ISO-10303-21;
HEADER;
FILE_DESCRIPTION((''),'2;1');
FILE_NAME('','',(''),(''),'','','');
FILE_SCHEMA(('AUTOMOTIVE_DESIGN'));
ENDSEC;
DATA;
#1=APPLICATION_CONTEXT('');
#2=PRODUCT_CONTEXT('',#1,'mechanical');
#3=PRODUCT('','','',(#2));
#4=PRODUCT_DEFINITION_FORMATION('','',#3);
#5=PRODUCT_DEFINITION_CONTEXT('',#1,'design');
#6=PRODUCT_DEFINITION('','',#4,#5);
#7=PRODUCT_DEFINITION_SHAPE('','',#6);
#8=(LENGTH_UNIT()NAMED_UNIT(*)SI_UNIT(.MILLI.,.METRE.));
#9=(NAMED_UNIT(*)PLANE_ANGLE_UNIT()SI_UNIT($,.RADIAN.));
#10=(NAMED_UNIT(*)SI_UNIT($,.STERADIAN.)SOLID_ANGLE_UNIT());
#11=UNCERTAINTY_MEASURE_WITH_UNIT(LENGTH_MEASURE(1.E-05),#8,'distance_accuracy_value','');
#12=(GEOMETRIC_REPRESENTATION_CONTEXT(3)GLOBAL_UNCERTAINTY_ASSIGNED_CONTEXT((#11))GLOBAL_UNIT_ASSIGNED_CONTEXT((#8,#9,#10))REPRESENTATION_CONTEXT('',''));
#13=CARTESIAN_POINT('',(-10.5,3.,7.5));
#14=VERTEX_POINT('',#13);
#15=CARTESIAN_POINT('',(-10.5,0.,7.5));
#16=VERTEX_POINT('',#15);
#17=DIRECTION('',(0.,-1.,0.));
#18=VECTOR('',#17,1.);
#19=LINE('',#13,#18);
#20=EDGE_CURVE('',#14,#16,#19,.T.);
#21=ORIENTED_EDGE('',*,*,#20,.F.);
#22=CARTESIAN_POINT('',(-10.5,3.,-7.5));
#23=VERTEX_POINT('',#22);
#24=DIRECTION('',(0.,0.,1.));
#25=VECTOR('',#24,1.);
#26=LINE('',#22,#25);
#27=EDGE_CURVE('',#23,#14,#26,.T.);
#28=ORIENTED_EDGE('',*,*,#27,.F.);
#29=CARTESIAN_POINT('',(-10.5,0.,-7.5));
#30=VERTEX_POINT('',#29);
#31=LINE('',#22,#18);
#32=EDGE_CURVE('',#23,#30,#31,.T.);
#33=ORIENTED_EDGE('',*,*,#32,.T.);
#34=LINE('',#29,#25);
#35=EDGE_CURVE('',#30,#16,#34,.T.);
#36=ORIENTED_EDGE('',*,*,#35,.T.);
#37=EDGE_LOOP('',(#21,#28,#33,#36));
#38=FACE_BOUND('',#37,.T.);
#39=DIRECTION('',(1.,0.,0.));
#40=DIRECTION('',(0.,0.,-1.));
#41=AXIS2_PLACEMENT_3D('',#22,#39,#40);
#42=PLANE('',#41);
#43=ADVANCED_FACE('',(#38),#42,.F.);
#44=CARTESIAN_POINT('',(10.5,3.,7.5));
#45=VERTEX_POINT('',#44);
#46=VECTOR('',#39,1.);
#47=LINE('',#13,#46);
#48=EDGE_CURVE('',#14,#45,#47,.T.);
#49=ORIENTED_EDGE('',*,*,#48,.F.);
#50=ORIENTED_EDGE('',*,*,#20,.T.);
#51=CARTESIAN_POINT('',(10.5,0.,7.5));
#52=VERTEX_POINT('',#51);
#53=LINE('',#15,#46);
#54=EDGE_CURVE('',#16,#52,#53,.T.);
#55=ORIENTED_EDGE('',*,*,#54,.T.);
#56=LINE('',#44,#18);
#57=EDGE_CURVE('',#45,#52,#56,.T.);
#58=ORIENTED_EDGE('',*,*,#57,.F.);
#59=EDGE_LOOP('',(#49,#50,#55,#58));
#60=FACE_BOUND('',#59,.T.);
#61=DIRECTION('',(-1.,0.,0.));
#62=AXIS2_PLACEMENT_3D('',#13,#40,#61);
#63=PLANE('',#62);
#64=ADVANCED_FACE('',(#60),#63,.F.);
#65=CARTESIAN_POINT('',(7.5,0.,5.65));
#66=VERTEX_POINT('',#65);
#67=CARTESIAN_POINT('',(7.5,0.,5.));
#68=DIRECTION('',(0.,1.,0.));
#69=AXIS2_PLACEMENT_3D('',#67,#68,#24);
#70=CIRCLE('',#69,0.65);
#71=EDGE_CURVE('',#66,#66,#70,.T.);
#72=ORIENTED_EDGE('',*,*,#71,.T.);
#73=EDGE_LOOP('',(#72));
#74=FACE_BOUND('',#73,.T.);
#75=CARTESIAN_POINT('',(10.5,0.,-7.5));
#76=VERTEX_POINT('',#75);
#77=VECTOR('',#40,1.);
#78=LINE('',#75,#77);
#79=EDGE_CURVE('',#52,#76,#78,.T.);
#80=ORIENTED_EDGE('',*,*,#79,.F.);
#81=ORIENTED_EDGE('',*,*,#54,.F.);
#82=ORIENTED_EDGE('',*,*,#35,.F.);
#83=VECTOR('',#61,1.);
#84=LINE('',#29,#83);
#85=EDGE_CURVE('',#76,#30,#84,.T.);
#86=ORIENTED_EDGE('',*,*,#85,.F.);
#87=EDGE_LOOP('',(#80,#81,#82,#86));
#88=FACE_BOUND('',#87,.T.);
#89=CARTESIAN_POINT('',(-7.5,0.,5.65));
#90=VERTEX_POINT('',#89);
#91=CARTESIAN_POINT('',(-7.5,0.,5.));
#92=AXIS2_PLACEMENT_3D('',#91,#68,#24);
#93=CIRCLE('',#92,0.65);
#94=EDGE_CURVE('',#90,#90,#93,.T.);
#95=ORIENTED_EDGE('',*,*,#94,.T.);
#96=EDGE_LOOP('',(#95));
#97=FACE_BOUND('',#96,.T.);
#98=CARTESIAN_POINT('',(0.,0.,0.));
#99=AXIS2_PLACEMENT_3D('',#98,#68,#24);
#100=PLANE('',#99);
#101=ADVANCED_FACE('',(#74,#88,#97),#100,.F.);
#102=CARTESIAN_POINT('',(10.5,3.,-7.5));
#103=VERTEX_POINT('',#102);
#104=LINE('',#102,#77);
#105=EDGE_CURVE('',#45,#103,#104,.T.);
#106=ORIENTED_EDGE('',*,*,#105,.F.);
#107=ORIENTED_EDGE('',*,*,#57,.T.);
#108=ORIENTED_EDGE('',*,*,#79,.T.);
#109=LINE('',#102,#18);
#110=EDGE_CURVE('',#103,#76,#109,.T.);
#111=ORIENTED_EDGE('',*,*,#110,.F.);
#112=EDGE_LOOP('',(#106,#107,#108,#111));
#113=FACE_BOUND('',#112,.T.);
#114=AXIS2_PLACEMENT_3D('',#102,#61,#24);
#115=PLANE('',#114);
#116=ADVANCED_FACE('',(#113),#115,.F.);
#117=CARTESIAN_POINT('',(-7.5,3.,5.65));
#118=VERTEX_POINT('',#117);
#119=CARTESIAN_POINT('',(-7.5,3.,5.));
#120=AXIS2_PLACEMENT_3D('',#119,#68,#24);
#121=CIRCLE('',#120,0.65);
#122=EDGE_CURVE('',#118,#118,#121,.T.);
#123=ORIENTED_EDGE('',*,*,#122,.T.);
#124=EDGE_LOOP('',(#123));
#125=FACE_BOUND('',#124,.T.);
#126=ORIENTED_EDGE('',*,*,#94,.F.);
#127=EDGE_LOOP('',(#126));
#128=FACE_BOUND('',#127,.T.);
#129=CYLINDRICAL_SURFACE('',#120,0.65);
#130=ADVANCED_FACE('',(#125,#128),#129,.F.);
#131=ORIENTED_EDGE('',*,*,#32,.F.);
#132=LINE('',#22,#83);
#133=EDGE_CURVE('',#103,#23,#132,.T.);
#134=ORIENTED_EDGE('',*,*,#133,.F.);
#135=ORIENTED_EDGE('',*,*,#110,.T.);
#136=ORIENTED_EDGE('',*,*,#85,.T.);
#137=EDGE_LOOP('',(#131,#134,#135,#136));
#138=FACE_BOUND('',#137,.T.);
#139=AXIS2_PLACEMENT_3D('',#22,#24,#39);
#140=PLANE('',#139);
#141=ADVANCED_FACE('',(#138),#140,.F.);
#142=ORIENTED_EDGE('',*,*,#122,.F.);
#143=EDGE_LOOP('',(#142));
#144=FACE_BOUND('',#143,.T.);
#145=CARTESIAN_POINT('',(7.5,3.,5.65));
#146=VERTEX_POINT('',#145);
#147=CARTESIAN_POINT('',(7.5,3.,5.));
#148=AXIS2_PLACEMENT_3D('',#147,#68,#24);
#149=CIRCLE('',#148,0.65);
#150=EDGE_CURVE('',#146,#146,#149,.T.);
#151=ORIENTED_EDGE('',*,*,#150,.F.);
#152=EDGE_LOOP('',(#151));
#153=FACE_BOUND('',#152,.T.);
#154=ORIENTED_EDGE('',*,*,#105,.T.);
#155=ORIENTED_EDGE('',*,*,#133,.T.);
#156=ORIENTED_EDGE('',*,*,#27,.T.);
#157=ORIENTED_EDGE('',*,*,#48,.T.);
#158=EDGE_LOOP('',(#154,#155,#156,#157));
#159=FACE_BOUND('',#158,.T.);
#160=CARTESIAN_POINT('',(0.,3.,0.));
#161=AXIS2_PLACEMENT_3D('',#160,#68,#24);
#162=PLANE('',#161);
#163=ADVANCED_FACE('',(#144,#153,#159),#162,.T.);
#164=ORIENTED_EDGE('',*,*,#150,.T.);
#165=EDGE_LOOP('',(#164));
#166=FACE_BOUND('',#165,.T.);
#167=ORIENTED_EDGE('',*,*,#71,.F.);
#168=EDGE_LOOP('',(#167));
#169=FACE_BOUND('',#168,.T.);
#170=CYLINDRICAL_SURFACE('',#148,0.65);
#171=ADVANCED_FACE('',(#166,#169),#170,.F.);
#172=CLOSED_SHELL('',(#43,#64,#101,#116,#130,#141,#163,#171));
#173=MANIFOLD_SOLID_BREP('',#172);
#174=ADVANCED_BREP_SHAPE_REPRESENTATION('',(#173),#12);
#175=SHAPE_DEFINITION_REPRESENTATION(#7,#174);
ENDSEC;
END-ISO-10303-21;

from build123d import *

# Parameters (mm, degrees)
SKETCH_1_W      = 21
SKETCH_1_H      = 15
EXTRUDE_1_DEPTH = 3
HOLE_WIZARD_1_D = 1.3


with BuildPart() as part:
    # 草图1 → 凸台-拉伸1 (new body)
    with BuildSketch(Plane(origin=(0, 0, 0), x_dir=(1, 0, 0), z_dir=(0, 1, 0))):
        Rectangle(SKETCH_1_W, SKETCH_1_H)
    extrude(amount=EXTRUDE_1_DEPTH)

    # 孔1 (through all)
    with Locations(Plane(origin=(0, 3, 0), x_dir=(1, 0, 0), z_dir=(0, 1, 0))):
        with Locations((-7.5, -5), (7.5, -5)):
            Hole(HOLE_WIZARD_1_D / 2)


solid = part.part
